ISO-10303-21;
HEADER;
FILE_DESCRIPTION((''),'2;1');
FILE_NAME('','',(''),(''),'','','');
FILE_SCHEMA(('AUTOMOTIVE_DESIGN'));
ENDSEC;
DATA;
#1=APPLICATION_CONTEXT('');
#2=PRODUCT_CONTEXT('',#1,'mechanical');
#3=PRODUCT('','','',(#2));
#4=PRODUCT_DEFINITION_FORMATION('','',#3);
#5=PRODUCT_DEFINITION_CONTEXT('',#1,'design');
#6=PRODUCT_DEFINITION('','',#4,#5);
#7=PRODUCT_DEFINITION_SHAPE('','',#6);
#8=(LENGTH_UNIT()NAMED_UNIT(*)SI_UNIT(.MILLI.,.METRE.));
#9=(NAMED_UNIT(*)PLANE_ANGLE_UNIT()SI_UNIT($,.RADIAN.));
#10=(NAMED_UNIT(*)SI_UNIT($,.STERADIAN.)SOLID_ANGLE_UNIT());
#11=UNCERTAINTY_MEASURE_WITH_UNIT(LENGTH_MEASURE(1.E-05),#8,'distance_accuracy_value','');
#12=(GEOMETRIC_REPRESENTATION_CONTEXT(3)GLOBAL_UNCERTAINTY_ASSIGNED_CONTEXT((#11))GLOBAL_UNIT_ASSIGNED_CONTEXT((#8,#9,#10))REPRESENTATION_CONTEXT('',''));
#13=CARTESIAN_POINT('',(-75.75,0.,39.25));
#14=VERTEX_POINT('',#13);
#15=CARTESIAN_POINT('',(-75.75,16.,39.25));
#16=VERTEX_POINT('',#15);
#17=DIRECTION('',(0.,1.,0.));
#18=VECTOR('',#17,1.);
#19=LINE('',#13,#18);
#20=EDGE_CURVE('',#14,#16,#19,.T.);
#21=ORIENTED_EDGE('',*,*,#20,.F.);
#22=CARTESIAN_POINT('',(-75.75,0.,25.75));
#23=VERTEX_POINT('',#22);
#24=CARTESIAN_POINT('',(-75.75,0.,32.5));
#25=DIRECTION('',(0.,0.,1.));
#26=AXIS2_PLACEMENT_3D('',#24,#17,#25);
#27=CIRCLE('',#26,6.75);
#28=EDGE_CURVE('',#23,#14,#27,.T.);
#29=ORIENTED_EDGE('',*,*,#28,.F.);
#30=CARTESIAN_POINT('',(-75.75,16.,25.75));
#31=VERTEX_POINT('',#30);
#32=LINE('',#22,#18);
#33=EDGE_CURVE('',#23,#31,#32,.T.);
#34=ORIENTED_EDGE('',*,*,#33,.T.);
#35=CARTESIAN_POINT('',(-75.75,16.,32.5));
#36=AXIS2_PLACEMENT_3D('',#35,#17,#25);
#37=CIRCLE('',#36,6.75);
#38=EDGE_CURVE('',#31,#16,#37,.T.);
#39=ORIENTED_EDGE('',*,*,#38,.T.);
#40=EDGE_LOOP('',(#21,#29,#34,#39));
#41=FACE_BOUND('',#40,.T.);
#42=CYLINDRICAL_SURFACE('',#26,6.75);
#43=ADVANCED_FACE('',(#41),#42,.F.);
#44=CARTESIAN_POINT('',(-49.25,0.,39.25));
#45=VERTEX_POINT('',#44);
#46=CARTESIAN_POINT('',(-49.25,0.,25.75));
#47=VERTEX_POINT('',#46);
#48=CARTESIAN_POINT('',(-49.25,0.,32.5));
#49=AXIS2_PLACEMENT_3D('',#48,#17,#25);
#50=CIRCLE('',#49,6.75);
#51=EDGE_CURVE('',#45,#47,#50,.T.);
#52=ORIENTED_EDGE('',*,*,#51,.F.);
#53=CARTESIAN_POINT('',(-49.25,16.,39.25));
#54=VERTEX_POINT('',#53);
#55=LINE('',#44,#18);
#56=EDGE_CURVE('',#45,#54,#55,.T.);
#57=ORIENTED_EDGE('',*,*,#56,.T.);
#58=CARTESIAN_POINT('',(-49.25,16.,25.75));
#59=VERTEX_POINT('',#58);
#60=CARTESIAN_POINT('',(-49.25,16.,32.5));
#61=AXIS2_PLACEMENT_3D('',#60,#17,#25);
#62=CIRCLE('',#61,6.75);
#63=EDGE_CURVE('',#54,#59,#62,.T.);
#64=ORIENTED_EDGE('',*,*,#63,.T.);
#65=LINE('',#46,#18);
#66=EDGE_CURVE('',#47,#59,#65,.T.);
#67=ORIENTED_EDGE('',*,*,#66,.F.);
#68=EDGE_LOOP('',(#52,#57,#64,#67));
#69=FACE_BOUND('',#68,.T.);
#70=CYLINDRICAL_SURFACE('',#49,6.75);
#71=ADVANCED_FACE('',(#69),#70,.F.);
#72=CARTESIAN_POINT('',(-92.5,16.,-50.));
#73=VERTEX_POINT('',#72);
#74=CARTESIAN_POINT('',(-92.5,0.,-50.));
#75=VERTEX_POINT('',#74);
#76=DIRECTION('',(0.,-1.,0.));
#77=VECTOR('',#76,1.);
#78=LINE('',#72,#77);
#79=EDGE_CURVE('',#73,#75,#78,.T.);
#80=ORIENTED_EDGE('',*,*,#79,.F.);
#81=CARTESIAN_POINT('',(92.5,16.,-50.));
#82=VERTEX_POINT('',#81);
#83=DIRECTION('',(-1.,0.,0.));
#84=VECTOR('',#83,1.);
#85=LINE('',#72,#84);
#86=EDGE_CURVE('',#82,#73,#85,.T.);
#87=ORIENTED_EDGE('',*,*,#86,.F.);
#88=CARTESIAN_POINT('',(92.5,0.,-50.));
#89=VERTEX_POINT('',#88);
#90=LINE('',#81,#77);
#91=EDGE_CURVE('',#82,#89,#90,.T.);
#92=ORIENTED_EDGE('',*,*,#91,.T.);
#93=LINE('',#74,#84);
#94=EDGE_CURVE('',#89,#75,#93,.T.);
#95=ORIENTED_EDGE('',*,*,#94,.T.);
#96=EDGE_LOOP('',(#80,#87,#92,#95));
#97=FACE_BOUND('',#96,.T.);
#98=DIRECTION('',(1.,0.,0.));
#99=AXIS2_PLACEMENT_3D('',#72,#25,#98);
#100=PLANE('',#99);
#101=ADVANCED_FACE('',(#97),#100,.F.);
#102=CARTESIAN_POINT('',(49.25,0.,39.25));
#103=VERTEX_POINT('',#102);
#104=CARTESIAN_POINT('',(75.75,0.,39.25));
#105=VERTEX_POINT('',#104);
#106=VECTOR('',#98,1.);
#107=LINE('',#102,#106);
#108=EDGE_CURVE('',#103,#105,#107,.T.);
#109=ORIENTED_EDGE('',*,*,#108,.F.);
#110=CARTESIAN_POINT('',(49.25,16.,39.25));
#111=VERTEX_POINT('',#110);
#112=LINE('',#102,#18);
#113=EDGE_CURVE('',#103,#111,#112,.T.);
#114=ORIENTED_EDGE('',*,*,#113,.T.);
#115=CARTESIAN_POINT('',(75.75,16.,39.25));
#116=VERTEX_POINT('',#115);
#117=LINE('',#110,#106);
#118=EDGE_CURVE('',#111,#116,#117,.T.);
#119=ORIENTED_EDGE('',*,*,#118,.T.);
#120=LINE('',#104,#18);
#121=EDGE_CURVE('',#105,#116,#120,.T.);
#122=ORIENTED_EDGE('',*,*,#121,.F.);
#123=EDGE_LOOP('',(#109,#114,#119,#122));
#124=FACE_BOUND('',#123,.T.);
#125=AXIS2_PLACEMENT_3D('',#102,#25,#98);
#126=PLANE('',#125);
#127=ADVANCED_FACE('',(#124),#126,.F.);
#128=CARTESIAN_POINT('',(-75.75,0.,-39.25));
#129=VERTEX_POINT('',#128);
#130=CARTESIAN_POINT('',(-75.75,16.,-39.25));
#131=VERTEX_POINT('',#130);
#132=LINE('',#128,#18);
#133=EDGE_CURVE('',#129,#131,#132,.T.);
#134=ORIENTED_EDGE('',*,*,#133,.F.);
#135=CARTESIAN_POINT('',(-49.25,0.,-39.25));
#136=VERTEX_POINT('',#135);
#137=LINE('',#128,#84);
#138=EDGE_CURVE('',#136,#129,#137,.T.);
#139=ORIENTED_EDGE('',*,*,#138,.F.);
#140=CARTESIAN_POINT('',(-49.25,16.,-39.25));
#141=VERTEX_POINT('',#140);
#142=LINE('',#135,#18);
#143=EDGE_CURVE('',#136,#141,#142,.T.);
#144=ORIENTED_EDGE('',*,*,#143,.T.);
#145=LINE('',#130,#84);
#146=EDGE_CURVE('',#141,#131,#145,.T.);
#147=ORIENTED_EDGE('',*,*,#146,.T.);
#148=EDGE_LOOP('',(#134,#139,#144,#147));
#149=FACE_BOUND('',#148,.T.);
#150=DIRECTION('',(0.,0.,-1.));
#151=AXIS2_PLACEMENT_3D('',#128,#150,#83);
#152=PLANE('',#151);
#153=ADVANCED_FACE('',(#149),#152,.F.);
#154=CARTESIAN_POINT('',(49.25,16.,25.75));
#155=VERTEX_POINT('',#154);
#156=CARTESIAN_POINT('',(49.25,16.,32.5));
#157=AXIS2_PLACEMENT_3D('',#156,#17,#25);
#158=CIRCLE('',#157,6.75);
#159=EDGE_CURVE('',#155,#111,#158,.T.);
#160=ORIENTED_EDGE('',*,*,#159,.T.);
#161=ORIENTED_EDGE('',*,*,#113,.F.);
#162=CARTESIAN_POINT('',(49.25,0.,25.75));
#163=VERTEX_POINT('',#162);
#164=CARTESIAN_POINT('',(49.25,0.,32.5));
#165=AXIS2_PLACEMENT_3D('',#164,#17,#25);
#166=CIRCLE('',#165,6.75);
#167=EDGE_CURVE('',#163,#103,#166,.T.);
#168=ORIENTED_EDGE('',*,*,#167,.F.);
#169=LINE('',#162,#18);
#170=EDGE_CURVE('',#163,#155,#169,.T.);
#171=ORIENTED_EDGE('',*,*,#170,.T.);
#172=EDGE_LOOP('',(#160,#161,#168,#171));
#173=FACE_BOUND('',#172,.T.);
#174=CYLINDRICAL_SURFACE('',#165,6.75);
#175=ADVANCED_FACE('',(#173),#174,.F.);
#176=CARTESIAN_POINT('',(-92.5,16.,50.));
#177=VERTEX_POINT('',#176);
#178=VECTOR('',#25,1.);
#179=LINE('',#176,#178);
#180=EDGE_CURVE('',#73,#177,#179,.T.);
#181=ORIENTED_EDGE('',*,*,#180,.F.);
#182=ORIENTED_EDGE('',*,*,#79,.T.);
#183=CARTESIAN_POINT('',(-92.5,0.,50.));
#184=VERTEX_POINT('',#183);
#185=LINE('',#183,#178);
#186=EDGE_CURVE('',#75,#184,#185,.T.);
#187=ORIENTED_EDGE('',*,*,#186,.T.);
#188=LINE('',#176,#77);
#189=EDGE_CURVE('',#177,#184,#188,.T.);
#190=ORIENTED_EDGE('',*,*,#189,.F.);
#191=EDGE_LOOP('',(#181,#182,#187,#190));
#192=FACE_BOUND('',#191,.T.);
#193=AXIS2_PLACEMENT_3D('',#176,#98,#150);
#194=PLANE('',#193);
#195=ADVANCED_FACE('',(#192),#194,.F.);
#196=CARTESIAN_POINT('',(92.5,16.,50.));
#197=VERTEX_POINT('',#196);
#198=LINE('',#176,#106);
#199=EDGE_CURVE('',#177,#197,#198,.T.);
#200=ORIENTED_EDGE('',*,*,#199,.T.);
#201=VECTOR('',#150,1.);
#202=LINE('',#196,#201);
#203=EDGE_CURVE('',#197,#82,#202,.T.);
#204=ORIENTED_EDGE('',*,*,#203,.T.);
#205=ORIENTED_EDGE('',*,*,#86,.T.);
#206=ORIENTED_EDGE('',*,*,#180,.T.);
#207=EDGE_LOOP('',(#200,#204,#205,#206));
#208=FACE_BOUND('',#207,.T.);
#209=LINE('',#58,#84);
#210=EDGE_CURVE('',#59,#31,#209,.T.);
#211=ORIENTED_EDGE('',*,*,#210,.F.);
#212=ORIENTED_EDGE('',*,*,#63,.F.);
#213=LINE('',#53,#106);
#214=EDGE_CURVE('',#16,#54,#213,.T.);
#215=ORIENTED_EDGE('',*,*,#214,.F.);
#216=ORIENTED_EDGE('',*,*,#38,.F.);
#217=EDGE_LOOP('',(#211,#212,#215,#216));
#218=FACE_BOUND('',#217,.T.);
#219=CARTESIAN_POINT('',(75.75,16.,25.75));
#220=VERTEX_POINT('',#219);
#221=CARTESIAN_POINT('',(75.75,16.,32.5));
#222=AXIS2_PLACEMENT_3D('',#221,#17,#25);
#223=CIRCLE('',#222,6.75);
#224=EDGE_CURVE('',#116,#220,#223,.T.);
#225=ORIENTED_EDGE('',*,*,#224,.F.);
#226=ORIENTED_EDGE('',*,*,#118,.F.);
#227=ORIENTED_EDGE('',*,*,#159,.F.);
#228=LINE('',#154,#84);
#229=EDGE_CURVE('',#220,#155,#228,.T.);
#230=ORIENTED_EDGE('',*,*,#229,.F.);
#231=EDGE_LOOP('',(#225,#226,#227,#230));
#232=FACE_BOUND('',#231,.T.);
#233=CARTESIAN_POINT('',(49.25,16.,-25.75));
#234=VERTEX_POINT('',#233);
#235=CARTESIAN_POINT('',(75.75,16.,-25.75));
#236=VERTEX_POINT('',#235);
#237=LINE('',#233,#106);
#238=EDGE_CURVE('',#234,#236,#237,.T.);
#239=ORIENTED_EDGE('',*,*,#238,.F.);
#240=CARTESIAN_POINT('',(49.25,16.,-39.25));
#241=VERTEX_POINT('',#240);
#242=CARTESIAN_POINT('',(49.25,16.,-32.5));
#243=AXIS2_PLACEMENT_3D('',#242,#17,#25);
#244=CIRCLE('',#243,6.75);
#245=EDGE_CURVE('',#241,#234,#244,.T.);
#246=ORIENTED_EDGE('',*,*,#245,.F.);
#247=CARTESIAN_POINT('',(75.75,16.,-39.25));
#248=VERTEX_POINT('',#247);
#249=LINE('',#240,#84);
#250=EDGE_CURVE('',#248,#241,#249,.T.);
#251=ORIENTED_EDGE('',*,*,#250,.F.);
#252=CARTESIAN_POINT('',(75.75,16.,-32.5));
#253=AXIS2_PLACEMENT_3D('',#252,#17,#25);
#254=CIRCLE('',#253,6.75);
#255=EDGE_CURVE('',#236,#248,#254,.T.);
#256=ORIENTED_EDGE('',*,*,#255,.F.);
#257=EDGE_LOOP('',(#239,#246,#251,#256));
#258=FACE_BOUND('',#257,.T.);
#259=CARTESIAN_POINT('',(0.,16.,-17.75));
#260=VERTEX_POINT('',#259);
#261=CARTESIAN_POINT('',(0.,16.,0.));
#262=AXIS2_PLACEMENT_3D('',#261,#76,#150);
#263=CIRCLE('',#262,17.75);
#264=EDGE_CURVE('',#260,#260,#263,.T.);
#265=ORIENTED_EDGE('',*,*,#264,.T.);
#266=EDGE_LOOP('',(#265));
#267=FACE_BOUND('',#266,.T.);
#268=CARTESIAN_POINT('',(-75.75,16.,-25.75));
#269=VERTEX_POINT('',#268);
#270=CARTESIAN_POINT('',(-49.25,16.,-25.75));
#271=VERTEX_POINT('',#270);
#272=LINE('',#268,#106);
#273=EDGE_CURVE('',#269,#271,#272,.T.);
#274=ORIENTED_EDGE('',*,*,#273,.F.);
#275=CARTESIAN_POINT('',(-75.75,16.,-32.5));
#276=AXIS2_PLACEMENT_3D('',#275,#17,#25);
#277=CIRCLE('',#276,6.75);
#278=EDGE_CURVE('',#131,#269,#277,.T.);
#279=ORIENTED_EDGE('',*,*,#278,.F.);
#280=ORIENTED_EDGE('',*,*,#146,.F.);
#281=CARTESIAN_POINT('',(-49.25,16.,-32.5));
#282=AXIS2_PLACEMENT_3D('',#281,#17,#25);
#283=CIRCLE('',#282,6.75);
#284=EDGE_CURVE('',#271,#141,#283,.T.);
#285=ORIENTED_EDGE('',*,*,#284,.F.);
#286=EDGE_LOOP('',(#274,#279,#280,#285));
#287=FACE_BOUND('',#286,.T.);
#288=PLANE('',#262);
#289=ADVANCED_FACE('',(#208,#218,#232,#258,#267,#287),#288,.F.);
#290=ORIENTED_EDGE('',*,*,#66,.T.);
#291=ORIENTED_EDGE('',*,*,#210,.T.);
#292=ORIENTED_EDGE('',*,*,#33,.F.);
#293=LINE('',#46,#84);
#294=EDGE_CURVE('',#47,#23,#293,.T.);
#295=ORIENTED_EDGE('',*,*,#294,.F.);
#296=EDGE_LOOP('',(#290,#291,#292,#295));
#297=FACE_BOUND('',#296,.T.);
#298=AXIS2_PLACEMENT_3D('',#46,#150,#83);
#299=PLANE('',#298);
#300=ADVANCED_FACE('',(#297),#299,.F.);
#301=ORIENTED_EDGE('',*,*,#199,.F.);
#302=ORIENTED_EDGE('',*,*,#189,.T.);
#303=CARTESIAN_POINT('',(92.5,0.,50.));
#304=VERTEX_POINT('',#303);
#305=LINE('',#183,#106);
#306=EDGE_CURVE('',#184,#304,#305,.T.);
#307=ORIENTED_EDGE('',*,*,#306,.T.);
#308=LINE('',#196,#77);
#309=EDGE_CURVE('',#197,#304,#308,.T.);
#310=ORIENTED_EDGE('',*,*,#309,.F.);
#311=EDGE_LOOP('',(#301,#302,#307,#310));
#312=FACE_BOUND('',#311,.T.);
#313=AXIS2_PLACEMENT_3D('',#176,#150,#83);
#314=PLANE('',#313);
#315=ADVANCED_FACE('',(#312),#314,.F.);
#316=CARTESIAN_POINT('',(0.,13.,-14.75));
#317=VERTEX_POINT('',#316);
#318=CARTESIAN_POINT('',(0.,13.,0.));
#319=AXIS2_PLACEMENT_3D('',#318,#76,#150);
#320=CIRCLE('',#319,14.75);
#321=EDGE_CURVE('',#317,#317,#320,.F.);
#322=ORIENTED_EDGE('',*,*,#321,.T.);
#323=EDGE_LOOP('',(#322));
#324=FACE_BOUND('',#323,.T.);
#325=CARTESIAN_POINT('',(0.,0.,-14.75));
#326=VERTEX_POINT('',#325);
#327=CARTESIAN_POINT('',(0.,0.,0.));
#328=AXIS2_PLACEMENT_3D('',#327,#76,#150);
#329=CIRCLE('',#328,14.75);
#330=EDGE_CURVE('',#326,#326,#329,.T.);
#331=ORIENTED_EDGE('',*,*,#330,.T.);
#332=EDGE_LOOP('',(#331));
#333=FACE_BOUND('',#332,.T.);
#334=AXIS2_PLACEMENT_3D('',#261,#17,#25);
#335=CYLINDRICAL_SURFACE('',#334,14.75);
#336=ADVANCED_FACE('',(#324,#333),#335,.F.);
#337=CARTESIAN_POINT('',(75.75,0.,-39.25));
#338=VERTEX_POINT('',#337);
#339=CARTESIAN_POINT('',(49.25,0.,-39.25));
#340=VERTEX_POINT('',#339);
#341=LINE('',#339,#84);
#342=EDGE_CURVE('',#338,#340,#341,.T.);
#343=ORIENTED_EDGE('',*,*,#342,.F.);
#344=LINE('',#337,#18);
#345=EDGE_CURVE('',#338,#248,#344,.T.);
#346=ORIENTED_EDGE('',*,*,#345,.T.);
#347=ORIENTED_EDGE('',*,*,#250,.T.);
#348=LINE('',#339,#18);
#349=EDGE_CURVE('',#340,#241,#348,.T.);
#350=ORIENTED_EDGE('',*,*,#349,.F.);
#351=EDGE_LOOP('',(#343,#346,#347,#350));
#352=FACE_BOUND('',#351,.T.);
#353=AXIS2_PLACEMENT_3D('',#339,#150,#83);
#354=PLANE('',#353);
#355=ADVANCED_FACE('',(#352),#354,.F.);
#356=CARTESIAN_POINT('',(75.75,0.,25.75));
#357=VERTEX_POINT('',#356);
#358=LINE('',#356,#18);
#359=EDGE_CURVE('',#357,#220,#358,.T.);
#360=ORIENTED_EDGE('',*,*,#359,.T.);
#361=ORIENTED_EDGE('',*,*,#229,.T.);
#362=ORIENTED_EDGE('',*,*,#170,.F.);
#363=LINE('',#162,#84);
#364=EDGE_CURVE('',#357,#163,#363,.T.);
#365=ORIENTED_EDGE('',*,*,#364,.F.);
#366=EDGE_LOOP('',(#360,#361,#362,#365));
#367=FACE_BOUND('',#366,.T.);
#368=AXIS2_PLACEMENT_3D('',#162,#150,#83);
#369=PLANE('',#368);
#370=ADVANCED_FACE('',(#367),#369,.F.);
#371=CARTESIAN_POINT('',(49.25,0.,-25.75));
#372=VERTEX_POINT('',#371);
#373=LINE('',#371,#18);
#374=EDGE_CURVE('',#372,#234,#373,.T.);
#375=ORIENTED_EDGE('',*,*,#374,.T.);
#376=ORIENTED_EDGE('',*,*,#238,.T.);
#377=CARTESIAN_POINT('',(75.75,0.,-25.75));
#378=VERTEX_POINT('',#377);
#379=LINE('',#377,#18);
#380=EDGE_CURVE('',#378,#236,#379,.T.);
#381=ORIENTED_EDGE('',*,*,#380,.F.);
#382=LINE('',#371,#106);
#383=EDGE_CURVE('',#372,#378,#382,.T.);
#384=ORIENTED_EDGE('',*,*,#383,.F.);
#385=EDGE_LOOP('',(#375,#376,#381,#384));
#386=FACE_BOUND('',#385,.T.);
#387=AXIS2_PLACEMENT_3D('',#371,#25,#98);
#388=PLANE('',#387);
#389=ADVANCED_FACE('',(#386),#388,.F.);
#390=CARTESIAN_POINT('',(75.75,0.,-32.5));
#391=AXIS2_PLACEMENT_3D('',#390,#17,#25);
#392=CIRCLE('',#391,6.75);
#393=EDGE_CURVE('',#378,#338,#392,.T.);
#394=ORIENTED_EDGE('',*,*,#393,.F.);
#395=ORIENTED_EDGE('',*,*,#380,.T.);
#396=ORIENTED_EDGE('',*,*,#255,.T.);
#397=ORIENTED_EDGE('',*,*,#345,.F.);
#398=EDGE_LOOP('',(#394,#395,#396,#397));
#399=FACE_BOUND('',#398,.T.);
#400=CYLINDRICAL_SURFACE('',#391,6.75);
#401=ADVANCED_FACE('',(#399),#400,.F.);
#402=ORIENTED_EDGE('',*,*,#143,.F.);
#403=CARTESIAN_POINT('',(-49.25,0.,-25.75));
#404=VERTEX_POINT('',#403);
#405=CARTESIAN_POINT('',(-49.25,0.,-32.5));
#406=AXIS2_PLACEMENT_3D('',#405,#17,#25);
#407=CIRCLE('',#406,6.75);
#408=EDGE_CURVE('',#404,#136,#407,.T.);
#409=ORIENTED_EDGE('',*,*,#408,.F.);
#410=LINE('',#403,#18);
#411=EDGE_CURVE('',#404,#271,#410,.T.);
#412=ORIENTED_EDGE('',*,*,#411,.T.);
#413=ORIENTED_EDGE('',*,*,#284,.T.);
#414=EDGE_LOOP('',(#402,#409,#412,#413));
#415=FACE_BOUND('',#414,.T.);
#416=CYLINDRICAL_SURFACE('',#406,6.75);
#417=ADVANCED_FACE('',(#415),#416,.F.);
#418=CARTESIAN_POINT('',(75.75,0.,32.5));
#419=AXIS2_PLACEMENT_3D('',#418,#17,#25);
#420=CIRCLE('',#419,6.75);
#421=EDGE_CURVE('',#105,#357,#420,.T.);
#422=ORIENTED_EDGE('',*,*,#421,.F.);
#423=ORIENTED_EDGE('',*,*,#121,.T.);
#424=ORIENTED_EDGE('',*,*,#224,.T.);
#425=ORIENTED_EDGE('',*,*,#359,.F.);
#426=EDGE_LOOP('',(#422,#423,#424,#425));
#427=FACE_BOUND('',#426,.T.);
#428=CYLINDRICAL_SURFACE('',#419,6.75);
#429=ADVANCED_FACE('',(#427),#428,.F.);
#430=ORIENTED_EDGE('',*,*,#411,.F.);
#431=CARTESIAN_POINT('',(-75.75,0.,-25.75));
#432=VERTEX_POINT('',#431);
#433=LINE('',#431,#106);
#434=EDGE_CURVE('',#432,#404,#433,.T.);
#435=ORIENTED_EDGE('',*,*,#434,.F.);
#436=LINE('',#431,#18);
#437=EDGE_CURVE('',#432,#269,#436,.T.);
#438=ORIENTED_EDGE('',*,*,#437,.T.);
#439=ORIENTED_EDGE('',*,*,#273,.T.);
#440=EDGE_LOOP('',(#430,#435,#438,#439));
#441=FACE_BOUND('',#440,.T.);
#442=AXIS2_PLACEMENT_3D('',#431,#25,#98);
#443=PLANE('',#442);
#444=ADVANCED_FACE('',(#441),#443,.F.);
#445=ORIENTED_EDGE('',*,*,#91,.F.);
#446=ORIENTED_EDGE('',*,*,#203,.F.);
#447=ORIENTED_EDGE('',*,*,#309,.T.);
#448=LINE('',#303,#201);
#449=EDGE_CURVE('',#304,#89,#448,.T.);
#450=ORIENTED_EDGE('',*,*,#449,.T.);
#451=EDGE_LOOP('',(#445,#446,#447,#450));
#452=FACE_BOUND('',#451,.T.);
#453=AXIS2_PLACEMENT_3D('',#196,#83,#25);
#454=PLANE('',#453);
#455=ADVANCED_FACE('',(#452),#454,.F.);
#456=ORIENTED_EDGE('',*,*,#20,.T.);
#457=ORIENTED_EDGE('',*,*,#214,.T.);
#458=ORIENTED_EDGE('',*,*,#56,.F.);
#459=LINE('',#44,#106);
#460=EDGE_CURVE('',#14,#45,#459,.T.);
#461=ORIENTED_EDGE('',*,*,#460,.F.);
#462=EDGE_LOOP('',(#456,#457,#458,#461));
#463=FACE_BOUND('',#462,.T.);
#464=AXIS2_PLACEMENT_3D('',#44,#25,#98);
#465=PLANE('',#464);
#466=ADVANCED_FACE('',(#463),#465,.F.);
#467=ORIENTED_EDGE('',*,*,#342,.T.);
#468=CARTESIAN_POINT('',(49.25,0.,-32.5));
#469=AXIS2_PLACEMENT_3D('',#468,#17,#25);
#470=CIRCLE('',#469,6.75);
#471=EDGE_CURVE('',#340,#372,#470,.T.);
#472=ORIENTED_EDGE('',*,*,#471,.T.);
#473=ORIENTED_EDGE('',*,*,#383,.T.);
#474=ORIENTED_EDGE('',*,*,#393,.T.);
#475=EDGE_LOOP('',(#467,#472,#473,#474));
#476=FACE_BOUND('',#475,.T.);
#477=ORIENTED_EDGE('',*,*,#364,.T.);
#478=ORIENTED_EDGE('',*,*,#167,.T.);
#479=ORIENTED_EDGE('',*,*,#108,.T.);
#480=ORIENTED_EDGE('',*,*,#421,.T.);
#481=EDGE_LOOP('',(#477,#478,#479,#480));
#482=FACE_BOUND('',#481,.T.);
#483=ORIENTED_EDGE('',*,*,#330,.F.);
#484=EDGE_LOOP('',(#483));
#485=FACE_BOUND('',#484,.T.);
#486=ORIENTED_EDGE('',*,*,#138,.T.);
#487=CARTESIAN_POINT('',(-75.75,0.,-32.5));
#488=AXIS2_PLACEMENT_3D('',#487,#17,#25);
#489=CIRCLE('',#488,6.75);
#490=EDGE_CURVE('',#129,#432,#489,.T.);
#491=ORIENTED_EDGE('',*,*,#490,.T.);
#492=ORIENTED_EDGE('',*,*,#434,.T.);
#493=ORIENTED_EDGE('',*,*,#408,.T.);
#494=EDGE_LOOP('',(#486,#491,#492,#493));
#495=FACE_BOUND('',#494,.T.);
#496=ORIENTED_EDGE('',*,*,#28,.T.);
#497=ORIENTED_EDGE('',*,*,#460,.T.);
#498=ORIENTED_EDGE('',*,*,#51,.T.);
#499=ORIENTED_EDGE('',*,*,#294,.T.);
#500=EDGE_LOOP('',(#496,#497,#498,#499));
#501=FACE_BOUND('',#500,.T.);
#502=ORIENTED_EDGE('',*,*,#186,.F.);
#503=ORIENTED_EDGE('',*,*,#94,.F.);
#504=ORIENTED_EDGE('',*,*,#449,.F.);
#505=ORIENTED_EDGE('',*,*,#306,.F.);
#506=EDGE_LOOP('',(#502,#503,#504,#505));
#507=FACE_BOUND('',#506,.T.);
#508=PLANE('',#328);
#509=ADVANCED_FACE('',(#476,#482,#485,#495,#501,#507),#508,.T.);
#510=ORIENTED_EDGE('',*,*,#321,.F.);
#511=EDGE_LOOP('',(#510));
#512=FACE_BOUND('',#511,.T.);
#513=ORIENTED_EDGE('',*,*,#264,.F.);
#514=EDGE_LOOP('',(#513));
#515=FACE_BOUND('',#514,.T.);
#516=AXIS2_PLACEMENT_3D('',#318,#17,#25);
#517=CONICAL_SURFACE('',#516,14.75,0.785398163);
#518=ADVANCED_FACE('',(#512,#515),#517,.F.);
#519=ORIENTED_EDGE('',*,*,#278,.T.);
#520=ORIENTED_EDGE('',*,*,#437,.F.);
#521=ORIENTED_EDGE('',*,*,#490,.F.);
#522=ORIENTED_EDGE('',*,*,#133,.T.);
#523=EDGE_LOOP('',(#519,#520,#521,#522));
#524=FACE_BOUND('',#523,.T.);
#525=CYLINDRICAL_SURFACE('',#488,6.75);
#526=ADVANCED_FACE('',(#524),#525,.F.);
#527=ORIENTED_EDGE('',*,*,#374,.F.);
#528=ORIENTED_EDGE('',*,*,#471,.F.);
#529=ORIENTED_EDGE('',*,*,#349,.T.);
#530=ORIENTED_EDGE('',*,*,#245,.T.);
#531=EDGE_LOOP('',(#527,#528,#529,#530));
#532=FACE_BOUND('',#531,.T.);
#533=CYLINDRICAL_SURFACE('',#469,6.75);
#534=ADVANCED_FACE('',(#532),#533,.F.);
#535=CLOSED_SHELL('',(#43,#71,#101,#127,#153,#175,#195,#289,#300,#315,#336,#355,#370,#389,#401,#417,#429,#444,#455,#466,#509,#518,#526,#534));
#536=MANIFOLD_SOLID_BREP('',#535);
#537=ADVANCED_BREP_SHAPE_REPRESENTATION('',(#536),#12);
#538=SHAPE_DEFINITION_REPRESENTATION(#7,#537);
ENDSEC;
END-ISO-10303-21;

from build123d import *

# Parameters (mm, degrees)
SKETCH1_W               = 185
SKETCH1_H               = 100
BOSS_EXTRUDE1_DEPTH     = 16
CUT_EXTRUDE1_DEPTH      = 107.359061673
CUT_EXTRUDE1_DEPTH_BACK = 107.359061673
F_1_0MM_DOWEL_HOLE1_D   = 29.5
CHAMFER1_SIZE           = 3


with BuildPart() as part:
    # Sketch1 → Boss-Extrude1 (new body)
    with BuildSketch(Plane(origin=(0, 0, 0), x_dir=(1, 0, 0), z_dir=(0, 1, 0))):
        Rectangle(SKETCH1_W, SKETCH1_H)
    extrude(amount=BOSS_EXTRUDE1_DEPTH)

    # Sketch2 → Cut-Extrude1 (cut, two sides: drawn at the far end of the back side and taken through both)
    with BuildSketch(Plane(origin=(0, 16, 0), x_dir=(1, 0, 0), z_dir=(0, 1, 0)).offset(-CUT_EXTRUDE1_DEPTH_BACK)):
        with BuildLine():
            Line((-75.75, 39.25), (-49.25, 39.25))
            ThreePointArc((-49.25, 39.25), (-42.5, 32.5), (-49.25, 25.75))
            Line((-49.25, 25.75), (-75.75, 25.75))
            ThreePointArc((-75.75, 25.75), (-82.5, 32.5), (-75.75, 39.25))
        make_face()
        with BuildLine():
            Line((-49.25, -39.25), (-75.75, -39.25))
            ThreePointArc((-75.75, -39.25), (-82.5, -32.5), (-75.75, -25.75))
            Line((-75.75, -25.75), (-49.25, -25.75))
            ThreePointArc((-49.25, -25.75), (-42.5, -32.5), (-49.25, -39.25))
        make_face()
        with BuildLine():
            Line((49.25, 39.25), (75.75, 39.25))
            ThreePointArc((75.75, 39.25), (82.5, 32.5), (75.75, 25.75))
            Line((75.75, 25.75), (49.25, 25.75))
            ThreePointArc((49.25, 25.75), (42.5, 32.5), (49.25, 39.25))
        make_face()
        with BuildLine():
            Line((49.25, -25.75), (75.75, -25.75))
            ThreePointArc((75.75, -25.75), (82.5, -32.5), (75.75, -39.25))
            Line((75.75, -39.25), (49.25, -39.25))
            ThreePointArc((49.25, -39.25), (42.5, -32.5), (49.25, -25.75))
        make_face()
    extrude(amount=CUT_EXTRUDE1_DEPTH + CUT_EXTRUDE1_DEPTH_BACK, mode=Mode.SUBTRACT)

    # Ø1.0mm Dowel Hole1 (through all)
    with Locations(Plane(origin=(0, 16, 0), x_dir=(1, 0, 0), z_dir=(0, 1, 0))):
        with Locations((0, 0)):
            Hole(F_1_0MM_DOWEL_HOLE1_D / 2)

    # Chamfer1
    chamfer1_edges = [part.edges().sort_by_distance(p)[0] for p in [
        (14.75, 16, 0),
    ]]
    chamfer(chamfer1_edges, length=CHAMFER1_SIZE)


solid = part.part
